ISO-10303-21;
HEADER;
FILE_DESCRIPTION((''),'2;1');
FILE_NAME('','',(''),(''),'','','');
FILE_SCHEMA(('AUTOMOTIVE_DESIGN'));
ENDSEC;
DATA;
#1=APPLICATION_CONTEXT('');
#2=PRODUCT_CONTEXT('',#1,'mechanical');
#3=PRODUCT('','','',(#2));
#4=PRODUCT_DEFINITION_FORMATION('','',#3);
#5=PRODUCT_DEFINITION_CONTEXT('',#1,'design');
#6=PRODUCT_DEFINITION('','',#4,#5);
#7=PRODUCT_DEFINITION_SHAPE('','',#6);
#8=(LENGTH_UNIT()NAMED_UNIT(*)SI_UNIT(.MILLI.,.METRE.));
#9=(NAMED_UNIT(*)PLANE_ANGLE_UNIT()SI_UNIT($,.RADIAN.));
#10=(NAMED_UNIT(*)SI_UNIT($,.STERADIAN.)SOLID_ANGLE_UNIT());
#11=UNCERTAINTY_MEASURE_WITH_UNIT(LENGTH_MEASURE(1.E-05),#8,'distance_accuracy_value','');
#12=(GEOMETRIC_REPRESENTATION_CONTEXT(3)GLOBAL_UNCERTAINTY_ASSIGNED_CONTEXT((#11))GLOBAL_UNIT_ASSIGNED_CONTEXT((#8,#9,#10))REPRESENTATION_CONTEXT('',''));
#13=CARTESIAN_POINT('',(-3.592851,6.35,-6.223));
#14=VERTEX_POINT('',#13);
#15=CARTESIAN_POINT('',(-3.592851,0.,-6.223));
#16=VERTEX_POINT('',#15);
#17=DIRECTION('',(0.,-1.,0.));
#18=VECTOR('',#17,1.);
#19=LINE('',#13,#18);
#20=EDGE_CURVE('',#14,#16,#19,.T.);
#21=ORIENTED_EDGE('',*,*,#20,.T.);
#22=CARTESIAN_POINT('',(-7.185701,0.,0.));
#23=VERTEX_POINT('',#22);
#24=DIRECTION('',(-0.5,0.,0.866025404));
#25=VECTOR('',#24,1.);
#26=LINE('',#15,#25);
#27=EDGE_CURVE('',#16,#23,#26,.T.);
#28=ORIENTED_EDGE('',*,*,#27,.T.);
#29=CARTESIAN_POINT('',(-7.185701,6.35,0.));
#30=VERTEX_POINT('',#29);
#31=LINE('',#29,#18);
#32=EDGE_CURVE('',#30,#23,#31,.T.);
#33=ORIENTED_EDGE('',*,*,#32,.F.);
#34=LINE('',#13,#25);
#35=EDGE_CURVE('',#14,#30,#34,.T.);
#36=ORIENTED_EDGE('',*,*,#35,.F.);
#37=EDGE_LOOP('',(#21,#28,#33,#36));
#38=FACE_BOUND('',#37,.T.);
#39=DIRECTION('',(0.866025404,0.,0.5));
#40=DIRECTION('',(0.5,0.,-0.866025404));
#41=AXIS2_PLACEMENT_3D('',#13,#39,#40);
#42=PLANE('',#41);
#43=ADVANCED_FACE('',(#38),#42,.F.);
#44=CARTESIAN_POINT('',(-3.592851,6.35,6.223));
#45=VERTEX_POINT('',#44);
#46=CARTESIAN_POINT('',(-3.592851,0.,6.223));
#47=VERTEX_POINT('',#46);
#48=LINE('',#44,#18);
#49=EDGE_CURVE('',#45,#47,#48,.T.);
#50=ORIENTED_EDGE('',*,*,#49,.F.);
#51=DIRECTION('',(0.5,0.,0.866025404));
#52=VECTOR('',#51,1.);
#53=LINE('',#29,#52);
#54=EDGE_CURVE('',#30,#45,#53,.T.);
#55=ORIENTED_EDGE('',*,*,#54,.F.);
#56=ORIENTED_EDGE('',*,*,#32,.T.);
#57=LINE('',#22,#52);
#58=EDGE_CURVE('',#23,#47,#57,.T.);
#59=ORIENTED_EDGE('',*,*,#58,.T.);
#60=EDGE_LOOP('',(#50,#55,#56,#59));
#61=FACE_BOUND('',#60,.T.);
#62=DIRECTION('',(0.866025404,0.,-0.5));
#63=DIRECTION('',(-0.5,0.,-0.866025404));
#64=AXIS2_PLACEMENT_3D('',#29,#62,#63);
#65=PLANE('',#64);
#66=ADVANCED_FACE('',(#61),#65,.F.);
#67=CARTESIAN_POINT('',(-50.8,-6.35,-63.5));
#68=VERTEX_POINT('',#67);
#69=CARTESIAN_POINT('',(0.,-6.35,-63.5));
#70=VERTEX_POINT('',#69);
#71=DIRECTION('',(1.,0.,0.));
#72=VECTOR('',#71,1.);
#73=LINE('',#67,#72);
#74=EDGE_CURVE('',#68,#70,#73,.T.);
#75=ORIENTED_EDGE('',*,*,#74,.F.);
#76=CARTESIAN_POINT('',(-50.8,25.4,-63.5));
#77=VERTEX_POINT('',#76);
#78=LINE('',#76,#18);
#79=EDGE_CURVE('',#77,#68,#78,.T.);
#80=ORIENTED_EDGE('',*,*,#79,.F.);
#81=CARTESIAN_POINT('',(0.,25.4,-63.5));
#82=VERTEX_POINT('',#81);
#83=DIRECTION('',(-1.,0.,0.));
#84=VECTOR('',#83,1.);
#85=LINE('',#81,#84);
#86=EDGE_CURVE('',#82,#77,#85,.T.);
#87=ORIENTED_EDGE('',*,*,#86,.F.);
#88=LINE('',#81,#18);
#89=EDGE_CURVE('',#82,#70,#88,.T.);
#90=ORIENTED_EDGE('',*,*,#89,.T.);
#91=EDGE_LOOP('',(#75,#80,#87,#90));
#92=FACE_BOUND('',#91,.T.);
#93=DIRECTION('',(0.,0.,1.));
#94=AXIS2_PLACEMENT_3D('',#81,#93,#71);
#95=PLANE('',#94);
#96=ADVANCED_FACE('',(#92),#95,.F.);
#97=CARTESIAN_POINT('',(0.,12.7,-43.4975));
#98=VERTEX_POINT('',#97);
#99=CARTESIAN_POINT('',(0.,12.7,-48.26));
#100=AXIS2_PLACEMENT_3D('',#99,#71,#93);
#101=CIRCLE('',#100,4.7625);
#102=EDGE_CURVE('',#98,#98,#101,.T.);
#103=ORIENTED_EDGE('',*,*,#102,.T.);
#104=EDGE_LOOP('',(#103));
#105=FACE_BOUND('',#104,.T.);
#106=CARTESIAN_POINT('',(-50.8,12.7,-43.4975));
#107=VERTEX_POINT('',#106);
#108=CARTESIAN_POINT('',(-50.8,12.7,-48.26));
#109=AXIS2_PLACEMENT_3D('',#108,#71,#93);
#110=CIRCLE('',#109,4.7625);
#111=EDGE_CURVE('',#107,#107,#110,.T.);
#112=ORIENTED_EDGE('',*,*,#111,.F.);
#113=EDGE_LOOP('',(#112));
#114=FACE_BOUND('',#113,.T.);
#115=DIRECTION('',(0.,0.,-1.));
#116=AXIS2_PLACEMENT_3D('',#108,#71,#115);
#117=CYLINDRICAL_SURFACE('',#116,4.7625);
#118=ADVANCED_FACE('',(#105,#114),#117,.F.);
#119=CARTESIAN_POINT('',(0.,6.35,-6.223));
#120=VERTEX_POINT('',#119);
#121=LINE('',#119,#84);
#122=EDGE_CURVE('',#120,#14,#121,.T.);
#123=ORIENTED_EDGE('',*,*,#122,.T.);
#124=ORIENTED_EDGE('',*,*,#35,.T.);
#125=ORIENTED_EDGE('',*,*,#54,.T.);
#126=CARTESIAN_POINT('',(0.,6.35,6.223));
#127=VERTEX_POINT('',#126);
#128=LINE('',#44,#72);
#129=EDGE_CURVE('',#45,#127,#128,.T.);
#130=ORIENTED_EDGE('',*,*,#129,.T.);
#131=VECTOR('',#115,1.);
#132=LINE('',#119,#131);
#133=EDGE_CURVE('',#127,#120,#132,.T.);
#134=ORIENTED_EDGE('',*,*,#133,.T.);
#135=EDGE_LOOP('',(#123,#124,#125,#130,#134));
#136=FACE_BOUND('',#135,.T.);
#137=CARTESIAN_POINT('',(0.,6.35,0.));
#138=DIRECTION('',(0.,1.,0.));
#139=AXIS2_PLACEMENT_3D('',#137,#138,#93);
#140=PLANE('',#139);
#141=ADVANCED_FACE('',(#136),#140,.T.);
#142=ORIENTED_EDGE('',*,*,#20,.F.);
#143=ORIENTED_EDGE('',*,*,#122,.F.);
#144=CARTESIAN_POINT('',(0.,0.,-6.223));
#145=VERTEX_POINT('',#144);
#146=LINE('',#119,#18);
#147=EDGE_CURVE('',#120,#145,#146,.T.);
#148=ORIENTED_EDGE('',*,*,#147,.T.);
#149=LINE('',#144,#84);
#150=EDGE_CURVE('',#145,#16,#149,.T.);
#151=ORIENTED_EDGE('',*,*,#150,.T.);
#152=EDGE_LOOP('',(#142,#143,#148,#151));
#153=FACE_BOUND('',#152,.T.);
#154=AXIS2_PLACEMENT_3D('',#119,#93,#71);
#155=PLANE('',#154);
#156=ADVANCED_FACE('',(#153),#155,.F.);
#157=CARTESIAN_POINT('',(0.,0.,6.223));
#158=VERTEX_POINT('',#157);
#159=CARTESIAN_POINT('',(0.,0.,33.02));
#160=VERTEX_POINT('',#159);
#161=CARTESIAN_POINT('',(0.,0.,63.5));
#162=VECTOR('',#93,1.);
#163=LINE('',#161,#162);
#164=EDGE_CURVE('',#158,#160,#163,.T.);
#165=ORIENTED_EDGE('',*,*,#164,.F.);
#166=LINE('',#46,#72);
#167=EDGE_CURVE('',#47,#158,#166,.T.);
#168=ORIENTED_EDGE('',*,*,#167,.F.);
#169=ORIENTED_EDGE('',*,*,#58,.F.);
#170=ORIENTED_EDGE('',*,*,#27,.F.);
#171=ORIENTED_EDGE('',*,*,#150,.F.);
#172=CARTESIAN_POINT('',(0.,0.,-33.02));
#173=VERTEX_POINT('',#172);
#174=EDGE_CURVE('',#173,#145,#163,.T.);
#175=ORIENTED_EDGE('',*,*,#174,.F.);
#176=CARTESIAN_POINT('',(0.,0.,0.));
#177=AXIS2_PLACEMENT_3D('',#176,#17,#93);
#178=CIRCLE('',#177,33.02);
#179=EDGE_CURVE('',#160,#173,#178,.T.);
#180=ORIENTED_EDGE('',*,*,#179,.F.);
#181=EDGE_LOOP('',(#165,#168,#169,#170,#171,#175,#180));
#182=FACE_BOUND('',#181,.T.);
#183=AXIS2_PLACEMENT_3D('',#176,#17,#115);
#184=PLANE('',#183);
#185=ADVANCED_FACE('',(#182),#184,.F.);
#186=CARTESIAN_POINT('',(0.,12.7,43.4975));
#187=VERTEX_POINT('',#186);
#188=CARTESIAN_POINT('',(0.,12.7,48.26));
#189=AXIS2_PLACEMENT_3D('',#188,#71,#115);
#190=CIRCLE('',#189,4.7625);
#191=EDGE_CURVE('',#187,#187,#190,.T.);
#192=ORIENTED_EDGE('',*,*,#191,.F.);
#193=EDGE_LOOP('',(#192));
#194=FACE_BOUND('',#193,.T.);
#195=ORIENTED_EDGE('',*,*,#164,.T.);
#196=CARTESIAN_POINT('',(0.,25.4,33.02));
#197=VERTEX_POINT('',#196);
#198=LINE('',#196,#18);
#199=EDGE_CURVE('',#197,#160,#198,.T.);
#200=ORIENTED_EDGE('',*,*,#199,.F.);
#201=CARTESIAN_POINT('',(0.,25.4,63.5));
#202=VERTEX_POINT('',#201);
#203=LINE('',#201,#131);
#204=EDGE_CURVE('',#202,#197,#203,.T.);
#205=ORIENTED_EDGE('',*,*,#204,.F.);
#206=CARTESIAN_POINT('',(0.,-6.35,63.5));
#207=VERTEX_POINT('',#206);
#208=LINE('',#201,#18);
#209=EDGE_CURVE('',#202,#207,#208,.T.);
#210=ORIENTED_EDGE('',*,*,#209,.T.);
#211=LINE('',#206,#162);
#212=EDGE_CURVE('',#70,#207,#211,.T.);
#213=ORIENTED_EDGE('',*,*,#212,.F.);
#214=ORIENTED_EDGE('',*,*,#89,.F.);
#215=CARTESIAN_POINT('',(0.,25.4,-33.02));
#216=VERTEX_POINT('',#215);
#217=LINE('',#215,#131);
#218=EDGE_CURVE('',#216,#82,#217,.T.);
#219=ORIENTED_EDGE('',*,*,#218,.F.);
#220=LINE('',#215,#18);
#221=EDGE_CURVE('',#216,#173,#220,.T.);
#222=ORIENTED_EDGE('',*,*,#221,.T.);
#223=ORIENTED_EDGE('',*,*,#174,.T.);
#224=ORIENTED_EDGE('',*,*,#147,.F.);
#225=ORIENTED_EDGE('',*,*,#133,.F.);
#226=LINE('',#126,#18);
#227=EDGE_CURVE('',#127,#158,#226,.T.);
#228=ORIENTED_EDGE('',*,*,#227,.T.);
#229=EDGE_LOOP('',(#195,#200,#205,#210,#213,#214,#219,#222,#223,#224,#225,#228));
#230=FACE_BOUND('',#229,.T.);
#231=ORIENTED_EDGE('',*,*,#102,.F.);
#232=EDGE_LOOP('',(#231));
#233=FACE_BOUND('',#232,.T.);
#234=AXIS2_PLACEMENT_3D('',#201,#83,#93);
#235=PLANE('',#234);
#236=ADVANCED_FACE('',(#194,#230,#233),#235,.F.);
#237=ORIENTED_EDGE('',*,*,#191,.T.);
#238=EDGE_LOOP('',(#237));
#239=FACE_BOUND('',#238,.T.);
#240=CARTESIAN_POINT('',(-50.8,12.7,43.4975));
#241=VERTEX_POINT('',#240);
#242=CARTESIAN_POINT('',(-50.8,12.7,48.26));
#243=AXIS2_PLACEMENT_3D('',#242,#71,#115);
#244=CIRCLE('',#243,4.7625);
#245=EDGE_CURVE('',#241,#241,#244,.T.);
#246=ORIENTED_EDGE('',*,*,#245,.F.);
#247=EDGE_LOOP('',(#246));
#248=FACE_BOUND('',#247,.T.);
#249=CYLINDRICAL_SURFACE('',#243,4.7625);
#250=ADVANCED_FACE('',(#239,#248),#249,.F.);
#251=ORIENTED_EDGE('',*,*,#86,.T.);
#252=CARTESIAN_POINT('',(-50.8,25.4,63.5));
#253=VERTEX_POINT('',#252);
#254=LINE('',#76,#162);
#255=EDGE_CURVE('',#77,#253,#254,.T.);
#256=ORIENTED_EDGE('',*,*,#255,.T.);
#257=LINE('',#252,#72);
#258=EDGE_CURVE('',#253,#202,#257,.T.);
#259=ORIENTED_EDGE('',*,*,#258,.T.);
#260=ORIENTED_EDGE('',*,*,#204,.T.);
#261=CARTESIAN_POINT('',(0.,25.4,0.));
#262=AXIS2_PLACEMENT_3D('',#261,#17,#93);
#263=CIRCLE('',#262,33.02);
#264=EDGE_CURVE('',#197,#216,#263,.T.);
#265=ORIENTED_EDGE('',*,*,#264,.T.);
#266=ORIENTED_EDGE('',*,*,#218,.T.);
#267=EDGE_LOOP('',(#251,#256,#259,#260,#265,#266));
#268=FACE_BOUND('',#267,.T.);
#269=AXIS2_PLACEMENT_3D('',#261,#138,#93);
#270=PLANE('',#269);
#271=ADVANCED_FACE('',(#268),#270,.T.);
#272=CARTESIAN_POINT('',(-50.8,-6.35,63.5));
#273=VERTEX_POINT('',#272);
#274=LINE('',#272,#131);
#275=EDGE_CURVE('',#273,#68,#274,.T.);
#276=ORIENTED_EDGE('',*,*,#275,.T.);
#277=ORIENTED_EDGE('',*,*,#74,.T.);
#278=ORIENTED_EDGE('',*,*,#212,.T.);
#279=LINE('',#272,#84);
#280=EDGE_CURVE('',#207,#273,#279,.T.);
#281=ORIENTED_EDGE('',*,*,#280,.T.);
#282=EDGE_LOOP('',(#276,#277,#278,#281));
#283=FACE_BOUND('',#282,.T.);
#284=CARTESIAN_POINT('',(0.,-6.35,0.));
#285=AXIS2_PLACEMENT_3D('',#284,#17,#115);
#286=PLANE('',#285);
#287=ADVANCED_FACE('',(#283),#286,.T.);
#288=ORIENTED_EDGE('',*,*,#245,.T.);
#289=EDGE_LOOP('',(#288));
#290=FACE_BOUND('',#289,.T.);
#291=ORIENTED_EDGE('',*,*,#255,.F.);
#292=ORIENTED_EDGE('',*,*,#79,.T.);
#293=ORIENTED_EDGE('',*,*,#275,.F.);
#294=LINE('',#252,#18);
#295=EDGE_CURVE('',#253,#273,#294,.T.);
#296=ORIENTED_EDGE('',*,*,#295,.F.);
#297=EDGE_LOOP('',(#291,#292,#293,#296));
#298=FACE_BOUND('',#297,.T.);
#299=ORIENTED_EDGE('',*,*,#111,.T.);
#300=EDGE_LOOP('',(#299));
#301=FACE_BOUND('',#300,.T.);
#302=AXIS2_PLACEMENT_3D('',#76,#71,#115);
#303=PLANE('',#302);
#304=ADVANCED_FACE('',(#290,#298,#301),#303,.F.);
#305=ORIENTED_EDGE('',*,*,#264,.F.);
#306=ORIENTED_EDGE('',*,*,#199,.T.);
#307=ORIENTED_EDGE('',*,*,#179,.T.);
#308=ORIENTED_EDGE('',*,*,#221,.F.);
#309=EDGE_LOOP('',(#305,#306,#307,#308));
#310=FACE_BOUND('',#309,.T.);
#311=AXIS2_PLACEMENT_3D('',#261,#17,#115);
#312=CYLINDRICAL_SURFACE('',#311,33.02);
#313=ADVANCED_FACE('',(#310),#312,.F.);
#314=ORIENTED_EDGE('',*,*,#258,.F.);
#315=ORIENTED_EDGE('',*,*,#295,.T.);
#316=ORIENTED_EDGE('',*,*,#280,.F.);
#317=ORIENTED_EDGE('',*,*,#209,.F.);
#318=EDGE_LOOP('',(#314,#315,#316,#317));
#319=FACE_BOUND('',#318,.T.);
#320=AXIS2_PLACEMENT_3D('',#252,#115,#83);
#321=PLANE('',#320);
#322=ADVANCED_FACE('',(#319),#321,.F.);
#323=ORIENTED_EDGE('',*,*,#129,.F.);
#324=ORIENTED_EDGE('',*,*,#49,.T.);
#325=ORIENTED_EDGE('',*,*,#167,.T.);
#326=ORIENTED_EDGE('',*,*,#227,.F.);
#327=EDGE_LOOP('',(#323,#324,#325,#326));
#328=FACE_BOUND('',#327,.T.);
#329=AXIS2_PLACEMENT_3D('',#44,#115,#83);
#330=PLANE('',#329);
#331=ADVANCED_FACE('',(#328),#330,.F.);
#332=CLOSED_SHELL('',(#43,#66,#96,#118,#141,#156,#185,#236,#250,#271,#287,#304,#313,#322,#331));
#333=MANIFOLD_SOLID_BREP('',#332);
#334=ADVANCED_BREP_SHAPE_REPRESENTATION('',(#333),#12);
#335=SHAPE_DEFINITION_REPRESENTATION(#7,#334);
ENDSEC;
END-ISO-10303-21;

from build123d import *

# Parameters (mm, degrees)
BOSS_EXTRUDE1_DEPTH = 25.4
SKETCH2_W           = 50.8
SKETCH2_H           = 127
BOSS_EXTRUDE2_DEPTH = 6.35
SKETCH3_R           = 4.7625
CUT_EXTRUDE1_DEPTH  = 86.194189943
BOSS_EXTRUDE3_DEPTH = 6.35


with BuildPart() as part:
    # Sketch1 → Boss-Extrude1 (new body)
    with BuildSketch(Plane(origin=(0, 0, 0), x_dir=(1, 0, 0), z_dir=(0, 1, 0))):
        with BuildLine():
            Line((0, 33.02), (0, 63.5))
            Line((0, 63.5), (-50.8, 63.5))
            Line((-50.8, 63.5), (-50.8, -63.5))
            Line((-50.8, -63.5), (0, -63.5))
            Line((0, -63.5), (0, -33.02))
            ThreePointArc((0, -33.02), (-33.02, 0), (0, 33.02))
        make_face()
    extrude(amount=BOSS_EXTRUDE1_DEPTH)

    # Sketch2 → Boss-Extrude2 (add)
    with BuildSketch(Plane.XZ):
        with Locations((-25.4, 0)):
            Rectangle(SKETCH2_W, SKETCH2_H)
    extrude(amount=BOSS_EXTRUDE2_DEPTH)

    # Sketch3 → Cut-Extrude1 (cut, through all)
    with BuildSketch(Plane(origin=(0, 0, 0), x_dir=(0, 0, -1), z_dir=(1, 0, 0))):
        with Locations((-48.26, 12.7)):
            Circle(SKETCH3_R)
        with Locations(Location((48.26, 12.7, 0), (0, 0, 180))):
            Circle(SKETCH3_R)
    extrude(amount=-CUT_EXTRUDE1_DEPTH, mode=Mode.SUBTRACT)

    # Sketch4 → Boss-Extrude3 (add)
    with BuildSketch(Plane(origin=(0, 0, 0), x_dir=(1, 0, 0), z_dir=(0, 1, 0))):
        Polygon((-3.592850725, 6.223), (-7.18570145, 0), (-3.592850725, -6.223), (0, -6.223), (0, 6.223), align=None)
    extrude(amount=BOSS_EXTRUDE3_DEPTH)


solid = part.part
